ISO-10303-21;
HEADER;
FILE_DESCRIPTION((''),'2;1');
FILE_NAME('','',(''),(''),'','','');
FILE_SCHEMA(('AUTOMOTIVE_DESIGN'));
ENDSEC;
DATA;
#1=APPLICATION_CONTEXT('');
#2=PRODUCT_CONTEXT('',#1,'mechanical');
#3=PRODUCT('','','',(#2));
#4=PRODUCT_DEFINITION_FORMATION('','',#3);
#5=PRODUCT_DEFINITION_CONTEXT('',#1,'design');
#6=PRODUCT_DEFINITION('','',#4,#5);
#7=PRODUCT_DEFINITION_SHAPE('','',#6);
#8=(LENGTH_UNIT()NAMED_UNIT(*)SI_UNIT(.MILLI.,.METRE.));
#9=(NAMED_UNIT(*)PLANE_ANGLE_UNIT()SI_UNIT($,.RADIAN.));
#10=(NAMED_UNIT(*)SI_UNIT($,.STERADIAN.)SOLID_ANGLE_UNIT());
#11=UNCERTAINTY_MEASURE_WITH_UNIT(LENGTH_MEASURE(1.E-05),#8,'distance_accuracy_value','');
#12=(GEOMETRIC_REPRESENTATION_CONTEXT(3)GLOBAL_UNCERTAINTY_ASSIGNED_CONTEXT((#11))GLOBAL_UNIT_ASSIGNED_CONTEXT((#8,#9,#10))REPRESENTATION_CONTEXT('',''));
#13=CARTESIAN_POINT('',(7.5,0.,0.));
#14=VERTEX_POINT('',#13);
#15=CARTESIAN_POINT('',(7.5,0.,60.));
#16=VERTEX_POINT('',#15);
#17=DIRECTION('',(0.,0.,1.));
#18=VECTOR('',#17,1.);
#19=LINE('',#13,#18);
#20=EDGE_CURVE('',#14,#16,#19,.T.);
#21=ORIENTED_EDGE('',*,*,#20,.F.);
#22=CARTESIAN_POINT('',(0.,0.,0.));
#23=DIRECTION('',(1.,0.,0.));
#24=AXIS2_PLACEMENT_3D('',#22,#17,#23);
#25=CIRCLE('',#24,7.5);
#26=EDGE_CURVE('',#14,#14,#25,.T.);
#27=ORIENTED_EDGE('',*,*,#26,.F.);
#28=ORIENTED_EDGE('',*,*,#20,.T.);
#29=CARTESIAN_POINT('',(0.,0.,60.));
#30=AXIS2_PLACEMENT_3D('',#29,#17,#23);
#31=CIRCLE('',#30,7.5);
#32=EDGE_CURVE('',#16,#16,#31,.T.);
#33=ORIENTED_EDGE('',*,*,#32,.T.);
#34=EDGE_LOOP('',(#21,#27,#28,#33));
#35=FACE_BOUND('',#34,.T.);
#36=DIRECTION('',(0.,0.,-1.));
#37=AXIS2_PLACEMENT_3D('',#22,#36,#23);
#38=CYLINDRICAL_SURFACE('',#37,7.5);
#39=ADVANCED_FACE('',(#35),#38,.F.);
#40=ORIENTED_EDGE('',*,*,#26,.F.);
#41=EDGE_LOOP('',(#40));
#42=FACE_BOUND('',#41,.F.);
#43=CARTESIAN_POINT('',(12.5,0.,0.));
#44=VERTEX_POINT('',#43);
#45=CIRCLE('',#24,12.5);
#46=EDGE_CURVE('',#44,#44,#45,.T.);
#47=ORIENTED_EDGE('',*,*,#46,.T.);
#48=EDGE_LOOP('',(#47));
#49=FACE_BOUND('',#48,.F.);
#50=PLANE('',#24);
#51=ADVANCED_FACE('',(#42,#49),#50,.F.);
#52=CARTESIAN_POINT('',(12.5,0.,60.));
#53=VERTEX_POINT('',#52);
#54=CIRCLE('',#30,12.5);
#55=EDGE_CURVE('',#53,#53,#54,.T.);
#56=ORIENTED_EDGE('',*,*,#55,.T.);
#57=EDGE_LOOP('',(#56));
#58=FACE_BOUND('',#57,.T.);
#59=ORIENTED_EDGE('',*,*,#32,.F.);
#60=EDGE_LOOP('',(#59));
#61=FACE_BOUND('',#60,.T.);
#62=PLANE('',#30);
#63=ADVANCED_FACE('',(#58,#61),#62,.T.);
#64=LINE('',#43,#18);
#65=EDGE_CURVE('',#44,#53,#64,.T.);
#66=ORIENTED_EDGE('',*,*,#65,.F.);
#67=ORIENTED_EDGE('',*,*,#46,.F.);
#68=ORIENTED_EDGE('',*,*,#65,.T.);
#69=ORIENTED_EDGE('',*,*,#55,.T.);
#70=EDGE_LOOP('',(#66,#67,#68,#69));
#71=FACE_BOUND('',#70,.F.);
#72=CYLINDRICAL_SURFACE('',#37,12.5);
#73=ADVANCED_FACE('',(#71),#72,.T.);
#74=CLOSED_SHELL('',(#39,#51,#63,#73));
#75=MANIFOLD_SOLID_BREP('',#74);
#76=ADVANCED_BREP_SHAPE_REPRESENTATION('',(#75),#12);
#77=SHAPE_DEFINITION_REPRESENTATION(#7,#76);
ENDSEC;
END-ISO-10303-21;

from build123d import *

# Parameters (mm, degrees)
SKETCH_R   = 12.5
SKETCH_R_2 = 7.5
PAD_DEPTH  = 60


with BuildPart() as part:
    # Sketch → Pad (new body)
    with BuildSketch(Plane.XY):
        Circle(SKETCH_R)
        Circle(SKETCH_R_2, mode=Mode.SUBTRACT)
    extrude(amount=PAD_DEPTH)


solid = part.part
